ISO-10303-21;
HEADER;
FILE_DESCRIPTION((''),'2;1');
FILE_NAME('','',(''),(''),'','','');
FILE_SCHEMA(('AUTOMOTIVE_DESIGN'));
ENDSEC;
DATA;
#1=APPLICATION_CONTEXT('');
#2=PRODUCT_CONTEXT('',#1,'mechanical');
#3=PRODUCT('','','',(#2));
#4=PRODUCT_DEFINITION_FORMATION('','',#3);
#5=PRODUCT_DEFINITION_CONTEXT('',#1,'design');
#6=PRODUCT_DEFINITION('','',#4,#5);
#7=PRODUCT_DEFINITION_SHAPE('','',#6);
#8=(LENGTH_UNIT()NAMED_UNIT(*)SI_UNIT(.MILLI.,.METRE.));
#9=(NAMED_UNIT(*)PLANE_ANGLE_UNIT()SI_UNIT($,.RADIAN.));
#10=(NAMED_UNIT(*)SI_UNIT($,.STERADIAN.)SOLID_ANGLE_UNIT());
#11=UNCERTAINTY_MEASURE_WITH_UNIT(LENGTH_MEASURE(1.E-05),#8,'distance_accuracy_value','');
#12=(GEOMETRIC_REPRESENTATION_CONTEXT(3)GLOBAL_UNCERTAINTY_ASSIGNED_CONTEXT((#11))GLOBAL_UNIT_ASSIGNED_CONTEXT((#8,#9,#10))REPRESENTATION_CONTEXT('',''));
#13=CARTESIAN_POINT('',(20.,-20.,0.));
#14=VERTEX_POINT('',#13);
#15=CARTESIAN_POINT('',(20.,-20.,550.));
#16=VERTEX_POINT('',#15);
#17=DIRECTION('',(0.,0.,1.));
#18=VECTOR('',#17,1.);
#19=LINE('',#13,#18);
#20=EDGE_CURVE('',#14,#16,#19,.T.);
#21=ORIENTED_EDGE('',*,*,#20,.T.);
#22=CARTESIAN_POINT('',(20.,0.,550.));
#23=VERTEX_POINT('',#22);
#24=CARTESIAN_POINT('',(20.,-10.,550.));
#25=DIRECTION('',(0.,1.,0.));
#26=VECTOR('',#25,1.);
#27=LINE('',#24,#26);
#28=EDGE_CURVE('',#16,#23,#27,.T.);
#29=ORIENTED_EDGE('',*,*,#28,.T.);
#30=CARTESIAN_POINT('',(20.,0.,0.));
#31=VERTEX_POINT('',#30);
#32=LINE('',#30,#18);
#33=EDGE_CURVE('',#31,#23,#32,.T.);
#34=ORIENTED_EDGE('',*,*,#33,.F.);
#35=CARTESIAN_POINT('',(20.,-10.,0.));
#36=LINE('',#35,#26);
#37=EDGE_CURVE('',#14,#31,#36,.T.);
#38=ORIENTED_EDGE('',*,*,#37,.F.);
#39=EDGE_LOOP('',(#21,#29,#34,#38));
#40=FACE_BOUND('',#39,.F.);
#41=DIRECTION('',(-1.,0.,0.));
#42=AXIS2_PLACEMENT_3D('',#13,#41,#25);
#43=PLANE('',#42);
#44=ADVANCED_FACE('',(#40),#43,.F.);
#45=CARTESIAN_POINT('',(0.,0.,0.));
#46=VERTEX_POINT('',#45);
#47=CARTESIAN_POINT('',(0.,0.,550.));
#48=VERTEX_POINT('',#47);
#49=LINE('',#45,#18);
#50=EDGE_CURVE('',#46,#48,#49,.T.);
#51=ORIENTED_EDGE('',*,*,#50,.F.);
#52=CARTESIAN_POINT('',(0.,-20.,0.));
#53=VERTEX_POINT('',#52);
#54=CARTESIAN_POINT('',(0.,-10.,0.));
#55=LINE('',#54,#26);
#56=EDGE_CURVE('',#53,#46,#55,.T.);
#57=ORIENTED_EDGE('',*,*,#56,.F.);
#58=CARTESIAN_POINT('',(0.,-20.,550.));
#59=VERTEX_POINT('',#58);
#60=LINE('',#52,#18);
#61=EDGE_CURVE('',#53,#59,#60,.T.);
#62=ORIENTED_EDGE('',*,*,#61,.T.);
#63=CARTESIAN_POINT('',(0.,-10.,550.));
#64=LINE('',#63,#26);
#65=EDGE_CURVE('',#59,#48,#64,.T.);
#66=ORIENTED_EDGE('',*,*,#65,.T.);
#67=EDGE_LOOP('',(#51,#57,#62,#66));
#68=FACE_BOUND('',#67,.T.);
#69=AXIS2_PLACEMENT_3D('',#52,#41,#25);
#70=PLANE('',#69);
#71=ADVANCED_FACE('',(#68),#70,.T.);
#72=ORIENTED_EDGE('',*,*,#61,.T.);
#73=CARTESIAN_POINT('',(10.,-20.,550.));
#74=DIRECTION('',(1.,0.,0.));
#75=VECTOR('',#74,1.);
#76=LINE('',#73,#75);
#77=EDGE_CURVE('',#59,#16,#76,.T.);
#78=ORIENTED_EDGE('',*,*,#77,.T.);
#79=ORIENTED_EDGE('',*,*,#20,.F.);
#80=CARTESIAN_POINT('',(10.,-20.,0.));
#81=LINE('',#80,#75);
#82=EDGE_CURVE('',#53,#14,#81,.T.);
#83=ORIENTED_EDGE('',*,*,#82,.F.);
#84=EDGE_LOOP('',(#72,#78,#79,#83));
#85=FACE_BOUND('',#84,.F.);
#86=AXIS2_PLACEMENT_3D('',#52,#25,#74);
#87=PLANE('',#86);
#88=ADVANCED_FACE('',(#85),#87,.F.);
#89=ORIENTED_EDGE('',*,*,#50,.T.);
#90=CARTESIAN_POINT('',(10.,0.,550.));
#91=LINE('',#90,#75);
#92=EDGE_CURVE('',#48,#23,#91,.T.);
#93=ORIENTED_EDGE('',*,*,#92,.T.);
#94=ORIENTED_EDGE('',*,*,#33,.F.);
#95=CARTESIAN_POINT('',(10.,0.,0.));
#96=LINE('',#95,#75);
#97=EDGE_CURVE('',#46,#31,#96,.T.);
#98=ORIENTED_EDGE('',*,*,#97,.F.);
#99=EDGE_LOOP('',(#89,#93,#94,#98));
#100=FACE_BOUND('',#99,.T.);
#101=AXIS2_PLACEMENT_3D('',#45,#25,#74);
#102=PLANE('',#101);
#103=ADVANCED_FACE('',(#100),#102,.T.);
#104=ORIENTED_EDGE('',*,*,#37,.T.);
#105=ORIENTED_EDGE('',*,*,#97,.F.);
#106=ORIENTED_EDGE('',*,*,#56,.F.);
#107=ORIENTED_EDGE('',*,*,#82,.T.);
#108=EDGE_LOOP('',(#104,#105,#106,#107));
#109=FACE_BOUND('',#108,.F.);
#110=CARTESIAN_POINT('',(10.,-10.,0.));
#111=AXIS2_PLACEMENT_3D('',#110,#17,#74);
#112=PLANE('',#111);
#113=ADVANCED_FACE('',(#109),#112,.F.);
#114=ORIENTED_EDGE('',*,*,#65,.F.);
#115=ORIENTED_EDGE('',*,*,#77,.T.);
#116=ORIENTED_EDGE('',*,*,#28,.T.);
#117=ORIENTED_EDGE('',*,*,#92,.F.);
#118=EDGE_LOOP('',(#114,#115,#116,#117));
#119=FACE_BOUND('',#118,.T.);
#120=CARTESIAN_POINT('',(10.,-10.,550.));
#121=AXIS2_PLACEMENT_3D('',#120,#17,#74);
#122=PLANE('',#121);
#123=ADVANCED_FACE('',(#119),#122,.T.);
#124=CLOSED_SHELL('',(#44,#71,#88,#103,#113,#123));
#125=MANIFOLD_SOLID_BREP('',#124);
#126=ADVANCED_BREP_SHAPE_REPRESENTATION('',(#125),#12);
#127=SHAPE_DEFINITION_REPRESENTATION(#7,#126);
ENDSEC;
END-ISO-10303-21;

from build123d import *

# Parameters (mm, degrees)
SKETCH_W  = 20
SKETCH_H  = 20
PAD_DEPTH = 550


with BuildPart() as part:
    # Sketch → Pad (new body)
    with BuildSketch(Plane.XY):
        with Locations((10, -10)):
            Rectangle(SKETCH_W, SKETCH_H)
    extrude(amount=PAD_DEPTH)


solid = part.part
